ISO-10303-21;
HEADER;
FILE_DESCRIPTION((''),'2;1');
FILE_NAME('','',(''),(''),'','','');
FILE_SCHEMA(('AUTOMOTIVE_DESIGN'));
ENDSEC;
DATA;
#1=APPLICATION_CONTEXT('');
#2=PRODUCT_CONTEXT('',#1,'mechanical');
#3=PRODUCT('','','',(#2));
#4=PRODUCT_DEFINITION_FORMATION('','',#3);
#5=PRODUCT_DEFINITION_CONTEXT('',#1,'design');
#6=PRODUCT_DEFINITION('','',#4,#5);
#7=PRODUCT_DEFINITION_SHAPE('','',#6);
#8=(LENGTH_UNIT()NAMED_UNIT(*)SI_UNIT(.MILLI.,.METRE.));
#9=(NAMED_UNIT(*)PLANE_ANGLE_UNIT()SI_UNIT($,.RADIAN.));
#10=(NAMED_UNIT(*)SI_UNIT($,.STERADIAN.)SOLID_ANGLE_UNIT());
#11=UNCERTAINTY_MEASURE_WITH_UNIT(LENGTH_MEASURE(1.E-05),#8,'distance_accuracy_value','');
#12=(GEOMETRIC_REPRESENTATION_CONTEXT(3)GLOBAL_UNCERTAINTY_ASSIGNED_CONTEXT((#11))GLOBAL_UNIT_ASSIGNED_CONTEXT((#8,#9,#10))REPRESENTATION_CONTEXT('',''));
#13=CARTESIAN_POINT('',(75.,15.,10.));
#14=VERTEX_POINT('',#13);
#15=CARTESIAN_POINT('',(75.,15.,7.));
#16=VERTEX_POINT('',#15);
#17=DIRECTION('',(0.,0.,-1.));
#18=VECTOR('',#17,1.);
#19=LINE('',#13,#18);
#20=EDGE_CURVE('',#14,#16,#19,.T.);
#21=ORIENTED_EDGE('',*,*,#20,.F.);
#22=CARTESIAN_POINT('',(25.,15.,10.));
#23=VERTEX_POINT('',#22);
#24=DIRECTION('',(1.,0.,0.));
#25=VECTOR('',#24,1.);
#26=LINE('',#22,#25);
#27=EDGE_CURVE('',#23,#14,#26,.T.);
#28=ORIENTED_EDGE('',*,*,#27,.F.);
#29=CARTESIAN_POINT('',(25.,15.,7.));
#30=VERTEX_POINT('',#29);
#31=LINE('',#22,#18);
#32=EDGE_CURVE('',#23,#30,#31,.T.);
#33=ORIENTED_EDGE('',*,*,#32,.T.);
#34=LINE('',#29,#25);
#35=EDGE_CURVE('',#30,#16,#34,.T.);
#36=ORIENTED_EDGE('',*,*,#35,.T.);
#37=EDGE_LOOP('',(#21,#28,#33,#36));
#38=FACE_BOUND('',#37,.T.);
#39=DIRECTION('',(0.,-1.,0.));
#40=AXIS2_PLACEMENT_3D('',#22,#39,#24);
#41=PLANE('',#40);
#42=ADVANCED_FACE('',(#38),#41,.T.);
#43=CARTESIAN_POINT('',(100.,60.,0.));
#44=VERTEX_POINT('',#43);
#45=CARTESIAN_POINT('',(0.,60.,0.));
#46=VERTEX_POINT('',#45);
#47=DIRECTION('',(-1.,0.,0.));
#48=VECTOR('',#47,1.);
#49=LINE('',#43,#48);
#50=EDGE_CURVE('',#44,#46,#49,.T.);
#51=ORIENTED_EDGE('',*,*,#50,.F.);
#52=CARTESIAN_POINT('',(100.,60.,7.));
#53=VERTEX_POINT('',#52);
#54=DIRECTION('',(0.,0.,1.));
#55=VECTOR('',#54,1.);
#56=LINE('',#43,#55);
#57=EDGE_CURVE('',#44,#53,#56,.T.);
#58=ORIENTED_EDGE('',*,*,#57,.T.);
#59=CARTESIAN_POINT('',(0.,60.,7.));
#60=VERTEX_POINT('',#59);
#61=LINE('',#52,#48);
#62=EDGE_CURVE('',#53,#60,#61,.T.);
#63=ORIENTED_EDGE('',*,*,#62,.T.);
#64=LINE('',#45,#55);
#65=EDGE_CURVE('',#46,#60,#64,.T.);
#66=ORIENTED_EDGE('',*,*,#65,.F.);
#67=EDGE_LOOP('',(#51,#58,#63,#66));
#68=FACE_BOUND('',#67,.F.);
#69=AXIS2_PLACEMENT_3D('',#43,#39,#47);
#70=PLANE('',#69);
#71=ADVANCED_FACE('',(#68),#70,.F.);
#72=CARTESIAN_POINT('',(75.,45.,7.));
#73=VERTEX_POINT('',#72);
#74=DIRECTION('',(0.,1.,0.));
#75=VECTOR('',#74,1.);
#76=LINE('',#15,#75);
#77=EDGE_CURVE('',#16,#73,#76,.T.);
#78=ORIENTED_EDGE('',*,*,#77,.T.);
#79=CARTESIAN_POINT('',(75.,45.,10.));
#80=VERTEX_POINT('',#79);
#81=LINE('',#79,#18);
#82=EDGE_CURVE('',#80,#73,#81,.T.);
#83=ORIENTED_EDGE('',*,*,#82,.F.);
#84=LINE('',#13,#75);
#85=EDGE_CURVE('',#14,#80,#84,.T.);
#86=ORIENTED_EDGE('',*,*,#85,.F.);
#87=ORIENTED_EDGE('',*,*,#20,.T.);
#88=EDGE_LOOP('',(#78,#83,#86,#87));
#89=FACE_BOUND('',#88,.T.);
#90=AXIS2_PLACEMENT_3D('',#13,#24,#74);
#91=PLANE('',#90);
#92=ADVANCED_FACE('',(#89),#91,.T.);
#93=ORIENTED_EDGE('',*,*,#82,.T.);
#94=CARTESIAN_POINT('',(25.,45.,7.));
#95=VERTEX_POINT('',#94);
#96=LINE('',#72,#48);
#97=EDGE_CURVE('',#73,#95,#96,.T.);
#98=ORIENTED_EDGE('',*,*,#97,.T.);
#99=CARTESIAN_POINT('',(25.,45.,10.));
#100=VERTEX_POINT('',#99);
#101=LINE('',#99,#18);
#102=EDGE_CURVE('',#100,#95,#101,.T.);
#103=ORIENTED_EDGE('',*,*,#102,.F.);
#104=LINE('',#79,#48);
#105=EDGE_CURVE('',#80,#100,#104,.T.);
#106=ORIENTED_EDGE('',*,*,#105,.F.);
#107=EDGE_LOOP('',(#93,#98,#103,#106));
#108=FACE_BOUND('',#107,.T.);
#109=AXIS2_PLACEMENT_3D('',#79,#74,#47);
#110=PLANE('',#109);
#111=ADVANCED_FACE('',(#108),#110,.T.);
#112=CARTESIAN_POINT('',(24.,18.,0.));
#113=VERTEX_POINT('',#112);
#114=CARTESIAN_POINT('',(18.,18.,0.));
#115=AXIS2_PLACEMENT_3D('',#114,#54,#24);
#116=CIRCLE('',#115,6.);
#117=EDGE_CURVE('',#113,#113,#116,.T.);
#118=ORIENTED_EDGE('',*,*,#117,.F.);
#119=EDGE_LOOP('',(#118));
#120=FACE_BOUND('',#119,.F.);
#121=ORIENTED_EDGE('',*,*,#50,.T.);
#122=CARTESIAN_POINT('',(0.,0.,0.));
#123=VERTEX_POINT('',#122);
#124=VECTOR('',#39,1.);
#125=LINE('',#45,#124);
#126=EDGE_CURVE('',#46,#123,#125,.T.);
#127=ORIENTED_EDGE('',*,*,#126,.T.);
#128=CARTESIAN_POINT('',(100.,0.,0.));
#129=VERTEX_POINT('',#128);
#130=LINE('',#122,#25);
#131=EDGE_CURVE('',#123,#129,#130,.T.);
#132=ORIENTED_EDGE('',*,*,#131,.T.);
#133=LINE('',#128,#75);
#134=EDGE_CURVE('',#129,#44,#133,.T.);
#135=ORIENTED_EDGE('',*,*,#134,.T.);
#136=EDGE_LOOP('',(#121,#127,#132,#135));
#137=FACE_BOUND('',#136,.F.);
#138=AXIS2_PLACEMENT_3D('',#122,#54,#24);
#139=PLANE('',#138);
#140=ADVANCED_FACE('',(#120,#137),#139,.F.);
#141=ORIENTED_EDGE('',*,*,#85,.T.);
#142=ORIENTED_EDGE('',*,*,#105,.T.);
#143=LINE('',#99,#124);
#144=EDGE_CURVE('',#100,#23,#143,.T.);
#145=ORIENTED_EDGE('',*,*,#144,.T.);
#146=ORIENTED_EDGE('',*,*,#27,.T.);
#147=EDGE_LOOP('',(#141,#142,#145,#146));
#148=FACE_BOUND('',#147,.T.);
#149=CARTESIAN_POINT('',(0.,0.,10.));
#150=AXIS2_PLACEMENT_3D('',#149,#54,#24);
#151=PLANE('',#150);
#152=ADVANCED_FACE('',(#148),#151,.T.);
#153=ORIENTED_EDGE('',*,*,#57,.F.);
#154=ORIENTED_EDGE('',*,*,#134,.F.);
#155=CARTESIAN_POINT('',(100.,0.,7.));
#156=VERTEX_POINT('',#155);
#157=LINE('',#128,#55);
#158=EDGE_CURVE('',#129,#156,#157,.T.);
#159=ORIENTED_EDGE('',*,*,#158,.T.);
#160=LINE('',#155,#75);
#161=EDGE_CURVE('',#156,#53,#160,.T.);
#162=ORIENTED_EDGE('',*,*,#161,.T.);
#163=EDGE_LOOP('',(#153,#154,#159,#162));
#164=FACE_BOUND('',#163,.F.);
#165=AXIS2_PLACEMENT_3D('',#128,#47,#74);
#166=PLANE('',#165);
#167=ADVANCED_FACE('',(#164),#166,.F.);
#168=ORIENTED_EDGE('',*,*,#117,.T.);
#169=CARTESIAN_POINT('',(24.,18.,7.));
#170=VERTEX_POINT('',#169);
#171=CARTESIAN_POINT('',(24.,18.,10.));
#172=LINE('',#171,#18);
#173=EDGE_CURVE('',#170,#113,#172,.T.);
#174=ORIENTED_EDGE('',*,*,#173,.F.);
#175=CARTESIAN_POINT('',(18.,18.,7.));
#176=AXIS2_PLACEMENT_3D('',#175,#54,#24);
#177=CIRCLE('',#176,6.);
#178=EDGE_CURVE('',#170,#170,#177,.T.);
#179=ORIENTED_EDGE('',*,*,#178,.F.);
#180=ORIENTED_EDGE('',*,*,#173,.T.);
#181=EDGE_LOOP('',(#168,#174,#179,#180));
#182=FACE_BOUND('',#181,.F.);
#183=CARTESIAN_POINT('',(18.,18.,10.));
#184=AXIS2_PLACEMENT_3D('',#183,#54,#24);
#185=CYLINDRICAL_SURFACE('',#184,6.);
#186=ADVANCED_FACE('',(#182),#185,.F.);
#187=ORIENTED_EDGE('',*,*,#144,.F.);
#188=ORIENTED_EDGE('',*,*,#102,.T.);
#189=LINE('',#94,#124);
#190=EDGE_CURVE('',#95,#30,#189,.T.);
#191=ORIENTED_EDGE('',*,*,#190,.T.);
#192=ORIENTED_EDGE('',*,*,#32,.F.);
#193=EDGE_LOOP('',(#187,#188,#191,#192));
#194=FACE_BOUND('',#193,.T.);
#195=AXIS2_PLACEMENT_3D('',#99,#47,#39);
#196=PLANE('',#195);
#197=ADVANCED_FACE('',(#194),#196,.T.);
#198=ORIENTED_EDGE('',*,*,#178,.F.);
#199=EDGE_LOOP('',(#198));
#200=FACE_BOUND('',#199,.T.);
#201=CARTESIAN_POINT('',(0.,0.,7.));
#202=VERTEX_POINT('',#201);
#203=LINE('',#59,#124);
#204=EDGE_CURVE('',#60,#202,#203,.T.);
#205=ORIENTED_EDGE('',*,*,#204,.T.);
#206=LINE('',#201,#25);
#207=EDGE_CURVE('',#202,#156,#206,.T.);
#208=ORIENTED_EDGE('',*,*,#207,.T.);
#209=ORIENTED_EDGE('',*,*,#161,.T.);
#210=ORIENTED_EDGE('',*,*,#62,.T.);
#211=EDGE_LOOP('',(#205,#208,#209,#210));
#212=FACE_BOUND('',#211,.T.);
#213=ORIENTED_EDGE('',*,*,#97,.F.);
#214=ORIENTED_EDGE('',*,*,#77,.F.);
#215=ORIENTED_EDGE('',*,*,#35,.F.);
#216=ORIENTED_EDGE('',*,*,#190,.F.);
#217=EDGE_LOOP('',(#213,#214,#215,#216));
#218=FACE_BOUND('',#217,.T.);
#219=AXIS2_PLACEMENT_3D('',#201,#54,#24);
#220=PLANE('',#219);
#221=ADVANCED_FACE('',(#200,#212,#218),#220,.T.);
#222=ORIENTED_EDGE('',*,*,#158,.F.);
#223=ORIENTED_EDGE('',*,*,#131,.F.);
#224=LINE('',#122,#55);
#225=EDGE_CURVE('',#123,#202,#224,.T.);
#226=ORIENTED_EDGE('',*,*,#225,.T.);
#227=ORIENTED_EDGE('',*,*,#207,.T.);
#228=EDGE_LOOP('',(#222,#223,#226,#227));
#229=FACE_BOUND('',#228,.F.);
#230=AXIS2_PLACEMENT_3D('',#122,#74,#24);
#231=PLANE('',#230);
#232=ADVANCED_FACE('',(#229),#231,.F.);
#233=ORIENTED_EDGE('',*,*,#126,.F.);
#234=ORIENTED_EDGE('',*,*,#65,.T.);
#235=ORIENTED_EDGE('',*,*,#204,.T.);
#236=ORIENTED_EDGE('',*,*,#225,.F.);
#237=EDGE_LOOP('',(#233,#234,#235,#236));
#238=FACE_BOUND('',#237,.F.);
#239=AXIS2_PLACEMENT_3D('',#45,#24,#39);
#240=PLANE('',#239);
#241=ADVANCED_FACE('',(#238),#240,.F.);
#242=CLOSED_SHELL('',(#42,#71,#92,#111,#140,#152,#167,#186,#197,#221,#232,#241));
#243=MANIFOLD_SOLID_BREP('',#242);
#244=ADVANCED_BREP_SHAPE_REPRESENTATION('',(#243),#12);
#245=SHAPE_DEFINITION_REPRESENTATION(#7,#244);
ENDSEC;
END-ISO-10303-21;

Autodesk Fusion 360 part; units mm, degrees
sketch "sketch_base_outline" plane through (0, 0, 0) normal (0, 0, 1) x (1, 0, 0)
  line L0 (0, 0) -> (100, 0)
  line L1 (100, 0) -> (100, 60)
  line L2 (100, 60) -> (0, 60)
  line L3 (0, 60) -> (0, 0)
extrude "Extrude1" add sketch "sketch_base_outline" along normal blind 10
sketch "sketch_center_pocket" plane through (0, 0, 10) normal (0, 0, 1) x (1, 0, 0)
  line L0 (0, 60) -> (0, 0)
  line L1 (0, 0) -> (100, 0)
  line L2 (100, 0) -> (100, 60)
  line L3 (100, 60) -> (0, 60)
  line L4 (25, 15) -> (75, 15)
  line L5 (75, 15) -> (75, 45)
  line L6 (75, 45) -> (25, 45)
  line L7 (25, 45) -> (25, 15)
extrude "center_pocket" cut sketch "sketch_center_pocket" against normal blind 3
sketch "sketch_bore_hole" plane through (0, 0, 10) normal (0, 0, 1) x (1, 0, 0)
  line L0 (75, 45) -> (25, 45)
  line L1 (25, 45) -> (25, 15)
  line L2 (25, 15) -> (75, 15)
  line L3 (75, 15) -> (75, 45)
  circle A0 centre (18, 18) radius 6
extrude "bore_hole" cut sketch "sketch_bore_hole" against normal blind 10 contours A0
equation "d3 = -( 3 mm )"
equation "d5 = -( 10 mm )"
